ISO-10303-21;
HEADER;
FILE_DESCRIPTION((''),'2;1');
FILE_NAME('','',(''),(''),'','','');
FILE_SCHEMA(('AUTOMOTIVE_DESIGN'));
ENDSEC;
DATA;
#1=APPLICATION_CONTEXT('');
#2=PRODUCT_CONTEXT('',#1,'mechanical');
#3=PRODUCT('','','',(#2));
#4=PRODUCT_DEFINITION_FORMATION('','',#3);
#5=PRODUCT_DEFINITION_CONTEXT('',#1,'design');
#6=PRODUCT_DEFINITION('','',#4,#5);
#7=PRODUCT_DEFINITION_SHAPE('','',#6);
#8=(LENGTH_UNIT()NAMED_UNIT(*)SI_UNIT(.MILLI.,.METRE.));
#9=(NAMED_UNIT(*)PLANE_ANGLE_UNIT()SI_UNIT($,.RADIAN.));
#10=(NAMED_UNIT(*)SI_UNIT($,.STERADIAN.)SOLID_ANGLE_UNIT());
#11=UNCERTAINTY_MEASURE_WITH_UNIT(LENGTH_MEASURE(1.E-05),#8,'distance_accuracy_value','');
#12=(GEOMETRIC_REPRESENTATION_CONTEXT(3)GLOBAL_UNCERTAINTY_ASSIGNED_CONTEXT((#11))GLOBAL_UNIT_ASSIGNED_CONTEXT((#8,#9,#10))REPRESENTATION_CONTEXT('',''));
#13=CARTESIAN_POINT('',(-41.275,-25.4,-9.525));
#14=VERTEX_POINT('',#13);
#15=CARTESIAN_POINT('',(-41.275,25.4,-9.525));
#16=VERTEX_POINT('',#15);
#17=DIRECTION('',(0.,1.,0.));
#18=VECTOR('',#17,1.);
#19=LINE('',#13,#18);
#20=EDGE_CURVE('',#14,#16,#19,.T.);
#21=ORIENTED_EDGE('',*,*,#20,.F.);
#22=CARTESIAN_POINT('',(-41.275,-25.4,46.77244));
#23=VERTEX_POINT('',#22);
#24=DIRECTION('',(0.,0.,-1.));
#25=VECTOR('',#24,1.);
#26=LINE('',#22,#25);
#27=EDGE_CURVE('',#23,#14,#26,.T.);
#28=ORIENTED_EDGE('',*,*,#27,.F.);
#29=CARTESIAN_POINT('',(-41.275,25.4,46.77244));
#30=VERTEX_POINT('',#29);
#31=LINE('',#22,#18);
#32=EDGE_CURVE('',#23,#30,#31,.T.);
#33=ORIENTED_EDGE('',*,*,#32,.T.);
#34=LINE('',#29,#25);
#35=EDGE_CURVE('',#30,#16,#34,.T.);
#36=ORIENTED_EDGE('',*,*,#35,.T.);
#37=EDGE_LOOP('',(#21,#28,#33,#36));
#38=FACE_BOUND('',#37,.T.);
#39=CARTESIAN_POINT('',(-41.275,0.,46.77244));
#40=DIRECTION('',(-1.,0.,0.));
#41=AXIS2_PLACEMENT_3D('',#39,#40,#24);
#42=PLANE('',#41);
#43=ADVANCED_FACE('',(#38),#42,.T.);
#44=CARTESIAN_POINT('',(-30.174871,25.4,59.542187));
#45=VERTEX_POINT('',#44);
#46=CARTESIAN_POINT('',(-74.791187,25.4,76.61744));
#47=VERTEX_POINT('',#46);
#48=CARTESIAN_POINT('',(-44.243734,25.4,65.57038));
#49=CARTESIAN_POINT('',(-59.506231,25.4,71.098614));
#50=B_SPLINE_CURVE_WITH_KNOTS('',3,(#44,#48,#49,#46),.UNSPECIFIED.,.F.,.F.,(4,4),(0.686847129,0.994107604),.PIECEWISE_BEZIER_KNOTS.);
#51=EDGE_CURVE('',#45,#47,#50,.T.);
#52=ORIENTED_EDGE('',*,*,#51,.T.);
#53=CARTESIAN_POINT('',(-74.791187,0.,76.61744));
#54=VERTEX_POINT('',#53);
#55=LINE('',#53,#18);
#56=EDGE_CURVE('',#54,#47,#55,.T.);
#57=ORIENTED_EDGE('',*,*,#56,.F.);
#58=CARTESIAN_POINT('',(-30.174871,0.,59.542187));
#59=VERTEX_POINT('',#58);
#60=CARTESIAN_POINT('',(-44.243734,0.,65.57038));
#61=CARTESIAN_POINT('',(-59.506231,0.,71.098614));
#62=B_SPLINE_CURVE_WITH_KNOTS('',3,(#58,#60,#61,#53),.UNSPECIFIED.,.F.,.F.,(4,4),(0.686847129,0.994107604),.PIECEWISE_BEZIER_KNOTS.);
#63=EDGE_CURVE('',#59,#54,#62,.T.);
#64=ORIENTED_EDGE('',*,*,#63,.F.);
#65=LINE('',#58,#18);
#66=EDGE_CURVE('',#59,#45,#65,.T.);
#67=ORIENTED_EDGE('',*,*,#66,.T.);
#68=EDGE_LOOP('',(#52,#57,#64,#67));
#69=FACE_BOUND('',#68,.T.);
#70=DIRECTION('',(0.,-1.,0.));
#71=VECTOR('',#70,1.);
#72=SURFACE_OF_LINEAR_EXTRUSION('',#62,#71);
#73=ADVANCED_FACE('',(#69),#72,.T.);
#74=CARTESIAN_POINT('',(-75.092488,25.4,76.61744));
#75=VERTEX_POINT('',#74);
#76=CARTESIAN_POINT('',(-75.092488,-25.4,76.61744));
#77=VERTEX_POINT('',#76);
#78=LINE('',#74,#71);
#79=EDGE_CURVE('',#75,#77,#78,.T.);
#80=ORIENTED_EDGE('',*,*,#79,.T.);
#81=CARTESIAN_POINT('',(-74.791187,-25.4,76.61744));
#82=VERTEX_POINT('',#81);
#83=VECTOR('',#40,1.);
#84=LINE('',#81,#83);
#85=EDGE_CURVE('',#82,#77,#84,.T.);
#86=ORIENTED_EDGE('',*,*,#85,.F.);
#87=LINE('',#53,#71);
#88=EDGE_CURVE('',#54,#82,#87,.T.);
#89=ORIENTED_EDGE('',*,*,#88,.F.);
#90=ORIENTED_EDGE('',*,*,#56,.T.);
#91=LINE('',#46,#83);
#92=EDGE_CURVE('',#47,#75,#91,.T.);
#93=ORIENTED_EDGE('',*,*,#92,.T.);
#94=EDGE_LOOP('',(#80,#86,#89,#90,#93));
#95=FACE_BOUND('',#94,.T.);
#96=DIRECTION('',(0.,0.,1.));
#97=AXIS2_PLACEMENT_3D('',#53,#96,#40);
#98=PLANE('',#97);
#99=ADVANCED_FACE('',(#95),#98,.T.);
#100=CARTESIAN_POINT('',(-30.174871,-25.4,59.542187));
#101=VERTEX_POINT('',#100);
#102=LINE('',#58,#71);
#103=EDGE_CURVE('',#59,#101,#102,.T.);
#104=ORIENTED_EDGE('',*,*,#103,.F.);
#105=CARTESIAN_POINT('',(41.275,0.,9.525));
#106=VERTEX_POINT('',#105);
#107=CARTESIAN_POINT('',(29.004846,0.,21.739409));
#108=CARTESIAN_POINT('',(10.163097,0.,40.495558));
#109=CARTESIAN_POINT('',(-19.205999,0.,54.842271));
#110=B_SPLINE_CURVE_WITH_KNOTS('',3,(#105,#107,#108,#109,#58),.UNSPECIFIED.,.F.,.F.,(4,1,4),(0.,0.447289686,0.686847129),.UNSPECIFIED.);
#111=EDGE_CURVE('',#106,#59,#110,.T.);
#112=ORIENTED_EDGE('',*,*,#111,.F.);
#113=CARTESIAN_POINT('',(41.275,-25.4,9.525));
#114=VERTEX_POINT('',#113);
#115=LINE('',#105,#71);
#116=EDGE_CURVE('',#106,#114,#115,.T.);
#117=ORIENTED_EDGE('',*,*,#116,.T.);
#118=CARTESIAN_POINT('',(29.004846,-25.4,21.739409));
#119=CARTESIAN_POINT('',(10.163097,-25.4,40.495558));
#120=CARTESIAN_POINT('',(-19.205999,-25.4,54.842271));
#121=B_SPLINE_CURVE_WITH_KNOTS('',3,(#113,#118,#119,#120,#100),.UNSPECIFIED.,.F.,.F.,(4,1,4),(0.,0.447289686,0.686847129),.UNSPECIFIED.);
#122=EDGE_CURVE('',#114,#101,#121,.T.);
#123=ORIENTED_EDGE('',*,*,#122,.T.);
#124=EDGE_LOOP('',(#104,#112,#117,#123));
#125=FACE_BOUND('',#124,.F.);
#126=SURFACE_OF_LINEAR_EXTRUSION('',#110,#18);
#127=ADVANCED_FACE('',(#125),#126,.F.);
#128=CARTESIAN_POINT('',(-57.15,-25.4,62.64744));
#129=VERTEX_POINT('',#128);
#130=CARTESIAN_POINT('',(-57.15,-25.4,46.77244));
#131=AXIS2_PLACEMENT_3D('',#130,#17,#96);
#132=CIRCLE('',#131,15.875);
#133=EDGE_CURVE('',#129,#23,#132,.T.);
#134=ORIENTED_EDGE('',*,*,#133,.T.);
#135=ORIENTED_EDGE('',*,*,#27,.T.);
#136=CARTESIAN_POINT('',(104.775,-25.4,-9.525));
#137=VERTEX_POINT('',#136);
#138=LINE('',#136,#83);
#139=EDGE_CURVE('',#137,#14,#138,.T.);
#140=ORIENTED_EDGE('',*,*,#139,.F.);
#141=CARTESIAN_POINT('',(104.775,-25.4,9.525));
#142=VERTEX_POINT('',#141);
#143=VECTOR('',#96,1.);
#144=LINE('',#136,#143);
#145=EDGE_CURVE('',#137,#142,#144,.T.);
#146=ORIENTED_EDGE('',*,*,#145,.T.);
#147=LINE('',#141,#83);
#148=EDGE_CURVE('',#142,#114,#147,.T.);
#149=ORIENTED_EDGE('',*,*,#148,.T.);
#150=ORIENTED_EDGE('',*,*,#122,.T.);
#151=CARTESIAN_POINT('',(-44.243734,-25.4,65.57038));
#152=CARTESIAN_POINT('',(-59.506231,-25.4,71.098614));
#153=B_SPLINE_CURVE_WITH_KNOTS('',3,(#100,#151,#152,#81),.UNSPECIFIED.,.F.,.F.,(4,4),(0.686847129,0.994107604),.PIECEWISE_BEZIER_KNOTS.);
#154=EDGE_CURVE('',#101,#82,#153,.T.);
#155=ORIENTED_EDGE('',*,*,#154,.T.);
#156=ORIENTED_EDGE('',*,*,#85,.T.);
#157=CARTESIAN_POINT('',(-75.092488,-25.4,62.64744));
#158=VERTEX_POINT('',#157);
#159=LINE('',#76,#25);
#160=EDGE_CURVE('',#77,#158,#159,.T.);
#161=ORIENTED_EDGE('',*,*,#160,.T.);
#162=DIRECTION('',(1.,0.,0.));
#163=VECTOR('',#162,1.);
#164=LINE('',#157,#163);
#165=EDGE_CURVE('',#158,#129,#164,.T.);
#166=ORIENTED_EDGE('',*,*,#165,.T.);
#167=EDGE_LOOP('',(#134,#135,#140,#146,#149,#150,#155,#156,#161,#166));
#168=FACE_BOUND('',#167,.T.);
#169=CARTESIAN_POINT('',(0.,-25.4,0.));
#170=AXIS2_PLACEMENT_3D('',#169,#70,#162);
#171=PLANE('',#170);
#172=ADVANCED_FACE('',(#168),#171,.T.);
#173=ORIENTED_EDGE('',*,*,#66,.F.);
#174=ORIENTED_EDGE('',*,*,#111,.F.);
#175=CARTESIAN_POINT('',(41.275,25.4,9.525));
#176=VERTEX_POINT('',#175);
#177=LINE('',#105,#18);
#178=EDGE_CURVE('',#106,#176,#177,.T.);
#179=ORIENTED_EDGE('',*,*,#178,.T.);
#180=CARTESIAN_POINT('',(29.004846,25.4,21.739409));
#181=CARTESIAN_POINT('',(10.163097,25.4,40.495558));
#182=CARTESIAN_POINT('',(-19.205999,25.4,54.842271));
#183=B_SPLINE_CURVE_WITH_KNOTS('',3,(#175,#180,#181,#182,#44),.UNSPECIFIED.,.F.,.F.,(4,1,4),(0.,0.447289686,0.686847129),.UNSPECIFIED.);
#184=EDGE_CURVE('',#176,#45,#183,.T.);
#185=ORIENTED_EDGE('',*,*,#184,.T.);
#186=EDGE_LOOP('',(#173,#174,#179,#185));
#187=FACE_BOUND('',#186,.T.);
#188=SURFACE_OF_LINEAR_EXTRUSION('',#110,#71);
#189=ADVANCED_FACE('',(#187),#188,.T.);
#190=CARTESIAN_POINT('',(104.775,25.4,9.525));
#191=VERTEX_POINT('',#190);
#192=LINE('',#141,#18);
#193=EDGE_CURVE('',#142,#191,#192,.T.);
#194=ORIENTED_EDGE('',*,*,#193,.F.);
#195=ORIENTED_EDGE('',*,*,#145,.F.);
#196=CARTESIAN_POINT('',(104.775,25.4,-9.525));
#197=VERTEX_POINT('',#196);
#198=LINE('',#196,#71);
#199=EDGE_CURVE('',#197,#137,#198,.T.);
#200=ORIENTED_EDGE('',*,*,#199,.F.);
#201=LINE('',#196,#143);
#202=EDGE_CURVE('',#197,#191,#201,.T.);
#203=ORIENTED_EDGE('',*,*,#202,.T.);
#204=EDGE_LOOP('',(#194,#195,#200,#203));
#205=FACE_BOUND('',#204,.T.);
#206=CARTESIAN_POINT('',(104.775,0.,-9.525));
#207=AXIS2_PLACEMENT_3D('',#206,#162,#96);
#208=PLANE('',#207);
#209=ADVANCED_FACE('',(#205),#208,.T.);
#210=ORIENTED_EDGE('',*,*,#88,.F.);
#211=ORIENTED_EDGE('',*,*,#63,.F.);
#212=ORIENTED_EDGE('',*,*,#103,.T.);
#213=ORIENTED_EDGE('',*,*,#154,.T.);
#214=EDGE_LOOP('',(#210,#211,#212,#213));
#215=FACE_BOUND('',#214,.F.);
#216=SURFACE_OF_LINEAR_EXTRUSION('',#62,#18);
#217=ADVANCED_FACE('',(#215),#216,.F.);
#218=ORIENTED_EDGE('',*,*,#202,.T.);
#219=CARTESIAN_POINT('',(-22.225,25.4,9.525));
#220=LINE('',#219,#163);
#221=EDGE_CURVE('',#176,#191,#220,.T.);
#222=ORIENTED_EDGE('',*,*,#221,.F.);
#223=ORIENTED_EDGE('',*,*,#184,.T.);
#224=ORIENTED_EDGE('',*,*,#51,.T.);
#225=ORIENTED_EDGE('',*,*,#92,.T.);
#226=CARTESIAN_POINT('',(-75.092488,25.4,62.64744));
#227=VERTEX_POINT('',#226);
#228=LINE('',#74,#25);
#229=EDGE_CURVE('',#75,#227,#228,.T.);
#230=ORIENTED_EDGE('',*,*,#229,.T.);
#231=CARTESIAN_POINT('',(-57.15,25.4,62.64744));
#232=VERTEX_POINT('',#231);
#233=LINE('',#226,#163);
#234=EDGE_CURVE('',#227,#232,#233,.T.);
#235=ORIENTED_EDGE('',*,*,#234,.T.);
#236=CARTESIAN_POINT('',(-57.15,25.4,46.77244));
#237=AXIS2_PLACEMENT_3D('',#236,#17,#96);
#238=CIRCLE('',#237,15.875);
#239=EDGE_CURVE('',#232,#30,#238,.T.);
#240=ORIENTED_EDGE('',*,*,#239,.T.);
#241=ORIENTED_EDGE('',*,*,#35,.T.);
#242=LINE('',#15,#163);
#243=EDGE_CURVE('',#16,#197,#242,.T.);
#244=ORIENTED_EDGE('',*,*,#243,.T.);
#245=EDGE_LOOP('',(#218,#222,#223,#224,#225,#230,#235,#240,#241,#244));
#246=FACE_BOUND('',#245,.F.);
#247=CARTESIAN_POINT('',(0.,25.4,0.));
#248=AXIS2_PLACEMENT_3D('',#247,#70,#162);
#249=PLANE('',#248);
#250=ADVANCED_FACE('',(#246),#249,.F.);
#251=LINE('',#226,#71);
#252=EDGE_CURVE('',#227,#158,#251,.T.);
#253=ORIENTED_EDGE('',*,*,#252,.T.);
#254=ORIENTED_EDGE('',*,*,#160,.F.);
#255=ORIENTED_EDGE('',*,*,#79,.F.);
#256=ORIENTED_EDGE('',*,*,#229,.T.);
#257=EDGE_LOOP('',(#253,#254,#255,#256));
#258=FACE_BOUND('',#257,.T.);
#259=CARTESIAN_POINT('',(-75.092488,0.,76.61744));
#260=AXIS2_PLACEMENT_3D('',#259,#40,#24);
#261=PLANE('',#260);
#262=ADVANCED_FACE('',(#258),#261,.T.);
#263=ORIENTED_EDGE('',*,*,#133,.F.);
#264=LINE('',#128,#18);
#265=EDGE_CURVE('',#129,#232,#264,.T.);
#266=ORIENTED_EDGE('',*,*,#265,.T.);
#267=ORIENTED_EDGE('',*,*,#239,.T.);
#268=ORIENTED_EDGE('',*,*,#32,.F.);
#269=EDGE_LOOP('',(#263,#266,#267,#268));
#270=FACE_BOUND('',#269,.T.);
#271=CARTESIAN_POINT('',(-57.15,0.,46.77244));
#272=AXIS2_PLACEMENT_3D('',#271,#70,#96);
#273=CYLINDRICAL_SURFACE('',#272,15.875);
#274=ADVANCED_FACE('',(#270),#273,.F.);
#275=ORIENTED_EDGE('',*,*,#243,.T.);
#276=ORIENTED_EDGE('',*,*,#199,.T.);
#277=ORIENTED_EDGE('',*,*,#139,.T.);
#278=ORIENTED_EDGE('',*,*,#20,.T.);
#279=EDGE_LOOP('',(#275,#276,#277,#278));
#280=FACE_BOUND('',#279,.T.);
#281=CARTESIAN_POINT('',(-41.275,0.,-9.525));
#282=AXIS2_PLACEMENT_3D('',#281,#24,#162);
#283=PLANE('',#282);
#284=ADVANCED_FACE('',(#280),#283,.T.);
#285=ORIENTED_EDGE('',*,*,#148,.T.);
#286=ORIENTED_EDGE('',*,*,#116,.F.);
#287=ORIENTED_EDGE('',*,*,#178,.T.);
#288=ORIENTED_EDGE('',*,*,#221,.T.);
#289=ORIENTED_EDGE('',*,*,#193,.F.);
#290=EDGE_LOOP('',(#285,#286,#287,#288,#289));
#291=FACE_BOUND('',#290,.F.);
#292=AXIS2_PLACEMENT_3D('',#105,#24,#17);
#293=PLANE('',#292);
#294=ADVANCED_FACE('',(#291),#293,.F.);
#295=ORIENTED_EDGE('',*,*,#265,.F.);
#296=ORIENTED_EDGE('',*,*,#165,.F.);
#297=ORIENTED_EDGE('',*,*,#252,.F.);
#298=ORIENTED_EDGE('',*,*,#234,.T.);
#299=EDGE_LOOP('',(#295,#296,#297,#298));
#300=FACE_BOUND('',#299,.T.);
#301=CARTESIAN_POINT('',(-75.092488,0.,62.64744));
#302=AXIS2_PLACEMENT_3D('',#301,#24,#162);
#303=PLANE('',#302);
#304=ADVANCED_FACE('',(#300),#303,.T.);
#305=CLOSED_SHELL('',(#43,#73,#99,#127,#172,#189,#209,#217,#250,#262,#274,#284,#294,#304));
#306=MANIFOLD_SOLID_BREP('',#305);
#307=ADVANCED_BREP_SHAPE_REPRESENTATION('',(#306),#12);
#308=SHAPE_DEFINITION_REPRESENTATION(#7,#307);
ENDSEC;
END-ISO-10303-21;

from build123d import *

# Parameters (mm, degrees)
F1_DEPTH = 25.4
F2_DEPTH = 63.5


with BuildPart() as f1:
    # F0 (on Front) → F1 (new body, symmetric)
    with BuildSketch(Plane.XZ):
        Polygon((-41.275, 0), (-41.275, -9.525), (41.275, -9.525), (41.275, 9.525), (-27.305, 9.525), (-41.275, 9.525), align=None)
        with BuildLine():
            Line((-41.275, 46.7724395394), (-41.275, 9.525))
            Line((-41.275, 9.525), (-27.305, 9.525))
            Line((-27.305, 9.525), (-27.305, 46.7724395394))
            ThreePointArc((-27.305, 46.7724395394), (-28.031305451, 53.316570709), (-30.1748711854, 59.542187009))
            add(Edge.make_bspline(
                [(-30.1748711854, 59.542187009), (-44.2437343882, 65.5703801741), (-59.5062310192, 71.0986135675), (-74.7911874827, 76.6174395394)],
                knots=[0.6868471287, 0.6868471287, 0.6868471287, 0.6868471287, 0.9941076038, 0.9941076038, 0.9941076038, 0.9941076038], degree=3))
            Line((-74.7911874827, 76.6174395394), (-75.0924881935, 76.6174395394))
            Line((-75.0924881935, 76.6174395394), (-75.0924881935, 62.6474395394))
            Line((-75.0924881935, 62.6474395394), (-57.15, 62.6474395394))
            ThreePointArc((-57.15, 62.6474395394), (-45.9246798487, 57.9977596908), (-41.275, 46.7724395394))
        make_face()
        with BuildLine():
            Line((-27.305, 9.525), (41.275, 9.525))
            add(Edge.make_bspline(
                [(41.275, 9.525), (29.0048459728, 21.7394090951), (10.1630968147, 40.4955576955), (-19.2059989577, 54.8422706307), (-30.1748711854, 59.542187009)],
                knots=[0, 0, 0, 0, 0.4472896859, 0.6868471287, 0.6868471287, 0.6868471287, 0.6868471287], degree=3))
            ThreePointArc((-30.1748711854, 59.542187009), (-28.031305451, 53.316570709), (-27.305, 46.7724395394))
            Line((-27.305, 46.7724395394), (-27.305, 9.525))
        make_face()
    extrude(amount=F1_DEPTH, both=True)

    # F2 (add, symmetric): a face of the model
    f2_faces = [f1.faces().sort_by_distance(p)[0] for p in [
        (41.275, 0, 0),
    ]]
    extrude(f2_faces, amount=F2_DEPTH, both=True)


solid = f1.part
